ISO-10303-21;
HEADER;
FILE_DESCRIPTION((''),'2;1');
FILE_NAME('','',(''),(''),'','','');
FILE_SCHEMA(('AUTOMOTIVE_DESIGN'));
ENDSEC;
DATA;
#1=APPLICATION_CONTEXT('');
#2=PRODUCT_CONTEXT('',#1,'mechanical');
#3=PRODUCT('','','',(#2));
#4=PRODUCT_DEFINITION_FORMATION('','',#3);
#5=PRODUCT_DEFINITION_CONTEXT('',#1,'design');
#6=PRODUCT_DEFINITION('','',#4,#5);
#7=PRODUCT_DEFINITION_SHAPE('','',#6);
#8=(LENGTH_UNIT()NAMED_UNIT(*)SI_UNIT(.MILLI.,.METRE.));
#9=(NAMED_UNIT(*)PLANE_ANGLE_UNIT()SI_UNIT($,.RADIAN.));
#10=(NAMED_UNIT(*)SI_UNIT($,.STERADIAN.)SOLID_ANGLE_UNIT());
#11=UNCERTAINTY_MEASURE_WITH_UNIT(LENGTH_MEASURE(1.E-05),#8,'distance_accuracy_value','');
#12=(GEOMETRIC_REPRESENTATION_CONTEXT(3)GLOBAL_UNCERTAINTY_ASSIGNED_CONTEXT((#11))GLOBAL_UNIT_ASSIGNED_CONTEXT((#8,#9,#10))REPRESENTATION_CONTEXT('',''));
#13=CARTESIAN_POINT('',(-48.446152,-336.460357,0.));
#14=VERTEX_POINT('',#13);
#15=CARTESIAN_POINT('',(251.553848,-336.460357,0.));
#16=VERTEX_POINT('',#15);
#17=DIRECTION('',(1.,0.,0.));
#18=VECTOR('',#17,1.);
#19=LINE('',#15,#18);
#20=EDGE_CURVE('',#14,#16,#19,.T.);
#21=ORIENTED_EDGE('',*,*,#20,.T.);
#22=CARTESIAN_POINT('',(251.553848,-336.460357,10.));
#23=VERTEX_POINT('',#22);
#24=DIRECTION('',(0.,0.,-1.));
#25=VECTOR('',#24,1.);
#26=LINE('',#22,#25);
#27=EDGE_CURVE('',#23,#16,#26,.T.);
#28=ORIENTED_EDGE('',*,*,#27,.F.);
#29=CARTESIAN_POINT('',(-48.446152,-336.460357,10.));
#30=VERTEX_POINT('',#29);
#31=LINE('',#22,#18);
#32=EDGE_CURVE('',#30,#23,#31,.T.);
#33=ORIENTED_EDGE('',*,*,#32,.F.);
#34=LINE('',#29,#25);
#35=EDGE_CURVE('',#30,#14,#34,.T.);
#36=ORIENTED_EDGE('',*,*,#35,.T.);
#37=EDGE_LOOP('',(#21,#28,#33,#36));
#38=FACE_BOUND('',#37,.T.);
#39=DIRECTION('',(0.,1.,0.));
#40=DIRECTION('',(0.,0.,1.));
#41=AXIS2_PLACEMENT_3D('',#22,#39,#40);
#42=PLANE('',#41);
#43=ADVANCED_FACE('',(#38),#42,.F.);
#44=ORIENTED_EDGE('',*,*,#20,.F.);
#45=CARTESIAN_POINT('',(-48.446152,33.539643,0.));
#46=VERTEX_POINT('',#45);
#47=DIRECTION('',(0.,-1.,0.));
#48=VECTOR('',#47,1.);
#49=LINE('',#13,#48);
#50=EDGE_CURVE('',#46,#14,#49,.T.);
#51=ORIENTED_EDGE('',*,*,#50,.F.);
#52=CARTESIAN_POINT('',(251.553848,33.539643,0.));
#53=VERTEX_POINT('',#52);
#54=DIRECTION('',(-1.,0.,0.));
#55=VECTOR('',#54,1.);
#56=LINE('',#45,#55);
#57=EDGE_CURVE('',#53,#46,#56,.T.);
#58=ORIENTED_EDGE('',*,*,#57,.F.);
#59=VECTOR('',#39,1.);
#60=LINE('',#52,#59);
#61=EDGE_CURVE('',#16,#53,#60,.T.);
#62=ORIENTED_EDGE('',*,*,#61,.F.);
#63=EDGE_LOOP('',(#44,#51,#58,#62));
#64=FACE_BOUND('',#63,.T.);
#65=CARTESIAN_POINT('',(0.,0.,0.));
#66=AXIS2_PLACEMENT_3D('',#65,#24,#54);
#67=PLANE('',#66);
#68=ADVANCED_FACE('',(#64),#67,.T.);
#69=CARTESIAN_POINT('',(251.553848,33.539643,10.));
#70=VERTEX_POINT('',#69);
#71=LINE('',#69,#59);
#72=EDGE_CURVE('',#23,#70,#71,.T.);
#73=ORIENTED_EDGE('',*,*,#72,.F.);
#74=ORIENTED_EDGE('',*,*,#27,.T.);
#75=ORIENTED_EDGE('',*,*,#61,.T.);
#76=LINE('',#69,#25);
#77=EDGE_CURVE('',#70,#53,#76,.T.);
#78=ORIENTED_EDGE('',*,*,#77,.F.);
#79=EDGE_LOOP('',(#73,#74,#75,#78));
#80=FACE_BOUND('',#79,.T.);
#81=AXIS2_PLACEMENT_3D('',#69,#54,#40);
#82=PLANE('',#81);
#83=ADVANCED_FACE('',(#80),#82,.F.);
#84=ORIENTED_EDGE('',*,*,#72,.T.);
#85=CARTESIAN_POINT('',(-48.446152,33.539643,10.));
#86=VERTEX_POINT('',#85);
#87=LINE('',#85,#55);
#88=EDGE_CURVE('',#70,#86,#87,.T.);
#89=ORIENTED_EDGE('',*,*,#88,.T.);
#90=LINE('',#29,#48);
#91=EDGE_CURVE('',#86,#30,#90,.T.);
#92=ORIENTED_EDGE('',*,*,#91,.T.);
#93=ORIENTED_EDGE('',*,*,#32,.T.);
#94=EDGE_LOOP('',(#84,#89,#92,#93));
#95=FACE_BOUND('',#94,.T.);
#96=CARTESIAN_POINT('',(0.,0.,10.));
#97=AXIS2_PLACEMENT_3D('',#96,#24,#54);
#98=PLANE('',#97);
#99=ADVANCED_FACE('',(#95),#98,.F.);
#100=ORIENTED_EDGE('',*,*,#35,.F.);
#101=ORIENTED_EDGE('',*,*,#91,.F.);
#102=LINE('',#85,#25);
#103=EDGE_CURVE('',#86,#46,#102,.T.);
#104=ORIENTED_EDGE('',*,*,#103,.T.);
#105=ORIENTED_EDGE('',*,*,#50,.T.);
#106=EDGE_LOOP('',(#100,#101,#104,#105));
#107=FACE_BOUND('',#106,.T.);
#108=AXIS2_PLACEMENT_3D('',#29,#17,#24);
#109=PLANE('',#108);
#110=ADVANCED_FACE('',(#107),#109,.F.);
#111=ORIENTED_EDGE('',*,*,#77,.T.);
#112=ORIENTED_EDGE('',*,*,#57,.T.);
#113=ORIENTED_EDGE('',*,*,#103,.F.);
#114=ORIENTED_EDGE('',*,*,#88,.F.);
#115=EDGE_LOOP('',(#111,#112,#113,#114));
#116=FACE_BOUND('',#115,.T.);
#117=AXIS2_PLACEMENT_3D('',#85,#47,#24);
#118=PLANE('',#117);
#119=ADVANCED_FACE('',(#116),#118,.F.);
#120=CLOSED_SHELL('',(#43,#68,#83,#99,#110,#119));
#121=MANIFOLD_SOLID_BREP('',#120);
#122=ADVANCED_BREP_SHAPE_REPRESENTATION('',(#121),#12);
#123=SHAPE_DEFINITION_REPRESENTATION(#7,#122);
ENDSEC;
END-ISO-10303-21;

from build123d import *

# Parameters (mm, degrees)
SKETCH_1_W      = 300
SKETCH_1_H      = 370
EXTRUDE_1_DEPTH = 10


with BuildPart() as part:
    # 草图1 → 凸台-拉伸1 (new body)
    with BuildSketch(Plane.XY):
        with Locations((101.553848331, -151.460356537)):
            Rectangle(SKETCH_1_W, SKETCH_1_H)
    extrude(amount=EXTRUDE_1_DEPTH)


solid = part.part
